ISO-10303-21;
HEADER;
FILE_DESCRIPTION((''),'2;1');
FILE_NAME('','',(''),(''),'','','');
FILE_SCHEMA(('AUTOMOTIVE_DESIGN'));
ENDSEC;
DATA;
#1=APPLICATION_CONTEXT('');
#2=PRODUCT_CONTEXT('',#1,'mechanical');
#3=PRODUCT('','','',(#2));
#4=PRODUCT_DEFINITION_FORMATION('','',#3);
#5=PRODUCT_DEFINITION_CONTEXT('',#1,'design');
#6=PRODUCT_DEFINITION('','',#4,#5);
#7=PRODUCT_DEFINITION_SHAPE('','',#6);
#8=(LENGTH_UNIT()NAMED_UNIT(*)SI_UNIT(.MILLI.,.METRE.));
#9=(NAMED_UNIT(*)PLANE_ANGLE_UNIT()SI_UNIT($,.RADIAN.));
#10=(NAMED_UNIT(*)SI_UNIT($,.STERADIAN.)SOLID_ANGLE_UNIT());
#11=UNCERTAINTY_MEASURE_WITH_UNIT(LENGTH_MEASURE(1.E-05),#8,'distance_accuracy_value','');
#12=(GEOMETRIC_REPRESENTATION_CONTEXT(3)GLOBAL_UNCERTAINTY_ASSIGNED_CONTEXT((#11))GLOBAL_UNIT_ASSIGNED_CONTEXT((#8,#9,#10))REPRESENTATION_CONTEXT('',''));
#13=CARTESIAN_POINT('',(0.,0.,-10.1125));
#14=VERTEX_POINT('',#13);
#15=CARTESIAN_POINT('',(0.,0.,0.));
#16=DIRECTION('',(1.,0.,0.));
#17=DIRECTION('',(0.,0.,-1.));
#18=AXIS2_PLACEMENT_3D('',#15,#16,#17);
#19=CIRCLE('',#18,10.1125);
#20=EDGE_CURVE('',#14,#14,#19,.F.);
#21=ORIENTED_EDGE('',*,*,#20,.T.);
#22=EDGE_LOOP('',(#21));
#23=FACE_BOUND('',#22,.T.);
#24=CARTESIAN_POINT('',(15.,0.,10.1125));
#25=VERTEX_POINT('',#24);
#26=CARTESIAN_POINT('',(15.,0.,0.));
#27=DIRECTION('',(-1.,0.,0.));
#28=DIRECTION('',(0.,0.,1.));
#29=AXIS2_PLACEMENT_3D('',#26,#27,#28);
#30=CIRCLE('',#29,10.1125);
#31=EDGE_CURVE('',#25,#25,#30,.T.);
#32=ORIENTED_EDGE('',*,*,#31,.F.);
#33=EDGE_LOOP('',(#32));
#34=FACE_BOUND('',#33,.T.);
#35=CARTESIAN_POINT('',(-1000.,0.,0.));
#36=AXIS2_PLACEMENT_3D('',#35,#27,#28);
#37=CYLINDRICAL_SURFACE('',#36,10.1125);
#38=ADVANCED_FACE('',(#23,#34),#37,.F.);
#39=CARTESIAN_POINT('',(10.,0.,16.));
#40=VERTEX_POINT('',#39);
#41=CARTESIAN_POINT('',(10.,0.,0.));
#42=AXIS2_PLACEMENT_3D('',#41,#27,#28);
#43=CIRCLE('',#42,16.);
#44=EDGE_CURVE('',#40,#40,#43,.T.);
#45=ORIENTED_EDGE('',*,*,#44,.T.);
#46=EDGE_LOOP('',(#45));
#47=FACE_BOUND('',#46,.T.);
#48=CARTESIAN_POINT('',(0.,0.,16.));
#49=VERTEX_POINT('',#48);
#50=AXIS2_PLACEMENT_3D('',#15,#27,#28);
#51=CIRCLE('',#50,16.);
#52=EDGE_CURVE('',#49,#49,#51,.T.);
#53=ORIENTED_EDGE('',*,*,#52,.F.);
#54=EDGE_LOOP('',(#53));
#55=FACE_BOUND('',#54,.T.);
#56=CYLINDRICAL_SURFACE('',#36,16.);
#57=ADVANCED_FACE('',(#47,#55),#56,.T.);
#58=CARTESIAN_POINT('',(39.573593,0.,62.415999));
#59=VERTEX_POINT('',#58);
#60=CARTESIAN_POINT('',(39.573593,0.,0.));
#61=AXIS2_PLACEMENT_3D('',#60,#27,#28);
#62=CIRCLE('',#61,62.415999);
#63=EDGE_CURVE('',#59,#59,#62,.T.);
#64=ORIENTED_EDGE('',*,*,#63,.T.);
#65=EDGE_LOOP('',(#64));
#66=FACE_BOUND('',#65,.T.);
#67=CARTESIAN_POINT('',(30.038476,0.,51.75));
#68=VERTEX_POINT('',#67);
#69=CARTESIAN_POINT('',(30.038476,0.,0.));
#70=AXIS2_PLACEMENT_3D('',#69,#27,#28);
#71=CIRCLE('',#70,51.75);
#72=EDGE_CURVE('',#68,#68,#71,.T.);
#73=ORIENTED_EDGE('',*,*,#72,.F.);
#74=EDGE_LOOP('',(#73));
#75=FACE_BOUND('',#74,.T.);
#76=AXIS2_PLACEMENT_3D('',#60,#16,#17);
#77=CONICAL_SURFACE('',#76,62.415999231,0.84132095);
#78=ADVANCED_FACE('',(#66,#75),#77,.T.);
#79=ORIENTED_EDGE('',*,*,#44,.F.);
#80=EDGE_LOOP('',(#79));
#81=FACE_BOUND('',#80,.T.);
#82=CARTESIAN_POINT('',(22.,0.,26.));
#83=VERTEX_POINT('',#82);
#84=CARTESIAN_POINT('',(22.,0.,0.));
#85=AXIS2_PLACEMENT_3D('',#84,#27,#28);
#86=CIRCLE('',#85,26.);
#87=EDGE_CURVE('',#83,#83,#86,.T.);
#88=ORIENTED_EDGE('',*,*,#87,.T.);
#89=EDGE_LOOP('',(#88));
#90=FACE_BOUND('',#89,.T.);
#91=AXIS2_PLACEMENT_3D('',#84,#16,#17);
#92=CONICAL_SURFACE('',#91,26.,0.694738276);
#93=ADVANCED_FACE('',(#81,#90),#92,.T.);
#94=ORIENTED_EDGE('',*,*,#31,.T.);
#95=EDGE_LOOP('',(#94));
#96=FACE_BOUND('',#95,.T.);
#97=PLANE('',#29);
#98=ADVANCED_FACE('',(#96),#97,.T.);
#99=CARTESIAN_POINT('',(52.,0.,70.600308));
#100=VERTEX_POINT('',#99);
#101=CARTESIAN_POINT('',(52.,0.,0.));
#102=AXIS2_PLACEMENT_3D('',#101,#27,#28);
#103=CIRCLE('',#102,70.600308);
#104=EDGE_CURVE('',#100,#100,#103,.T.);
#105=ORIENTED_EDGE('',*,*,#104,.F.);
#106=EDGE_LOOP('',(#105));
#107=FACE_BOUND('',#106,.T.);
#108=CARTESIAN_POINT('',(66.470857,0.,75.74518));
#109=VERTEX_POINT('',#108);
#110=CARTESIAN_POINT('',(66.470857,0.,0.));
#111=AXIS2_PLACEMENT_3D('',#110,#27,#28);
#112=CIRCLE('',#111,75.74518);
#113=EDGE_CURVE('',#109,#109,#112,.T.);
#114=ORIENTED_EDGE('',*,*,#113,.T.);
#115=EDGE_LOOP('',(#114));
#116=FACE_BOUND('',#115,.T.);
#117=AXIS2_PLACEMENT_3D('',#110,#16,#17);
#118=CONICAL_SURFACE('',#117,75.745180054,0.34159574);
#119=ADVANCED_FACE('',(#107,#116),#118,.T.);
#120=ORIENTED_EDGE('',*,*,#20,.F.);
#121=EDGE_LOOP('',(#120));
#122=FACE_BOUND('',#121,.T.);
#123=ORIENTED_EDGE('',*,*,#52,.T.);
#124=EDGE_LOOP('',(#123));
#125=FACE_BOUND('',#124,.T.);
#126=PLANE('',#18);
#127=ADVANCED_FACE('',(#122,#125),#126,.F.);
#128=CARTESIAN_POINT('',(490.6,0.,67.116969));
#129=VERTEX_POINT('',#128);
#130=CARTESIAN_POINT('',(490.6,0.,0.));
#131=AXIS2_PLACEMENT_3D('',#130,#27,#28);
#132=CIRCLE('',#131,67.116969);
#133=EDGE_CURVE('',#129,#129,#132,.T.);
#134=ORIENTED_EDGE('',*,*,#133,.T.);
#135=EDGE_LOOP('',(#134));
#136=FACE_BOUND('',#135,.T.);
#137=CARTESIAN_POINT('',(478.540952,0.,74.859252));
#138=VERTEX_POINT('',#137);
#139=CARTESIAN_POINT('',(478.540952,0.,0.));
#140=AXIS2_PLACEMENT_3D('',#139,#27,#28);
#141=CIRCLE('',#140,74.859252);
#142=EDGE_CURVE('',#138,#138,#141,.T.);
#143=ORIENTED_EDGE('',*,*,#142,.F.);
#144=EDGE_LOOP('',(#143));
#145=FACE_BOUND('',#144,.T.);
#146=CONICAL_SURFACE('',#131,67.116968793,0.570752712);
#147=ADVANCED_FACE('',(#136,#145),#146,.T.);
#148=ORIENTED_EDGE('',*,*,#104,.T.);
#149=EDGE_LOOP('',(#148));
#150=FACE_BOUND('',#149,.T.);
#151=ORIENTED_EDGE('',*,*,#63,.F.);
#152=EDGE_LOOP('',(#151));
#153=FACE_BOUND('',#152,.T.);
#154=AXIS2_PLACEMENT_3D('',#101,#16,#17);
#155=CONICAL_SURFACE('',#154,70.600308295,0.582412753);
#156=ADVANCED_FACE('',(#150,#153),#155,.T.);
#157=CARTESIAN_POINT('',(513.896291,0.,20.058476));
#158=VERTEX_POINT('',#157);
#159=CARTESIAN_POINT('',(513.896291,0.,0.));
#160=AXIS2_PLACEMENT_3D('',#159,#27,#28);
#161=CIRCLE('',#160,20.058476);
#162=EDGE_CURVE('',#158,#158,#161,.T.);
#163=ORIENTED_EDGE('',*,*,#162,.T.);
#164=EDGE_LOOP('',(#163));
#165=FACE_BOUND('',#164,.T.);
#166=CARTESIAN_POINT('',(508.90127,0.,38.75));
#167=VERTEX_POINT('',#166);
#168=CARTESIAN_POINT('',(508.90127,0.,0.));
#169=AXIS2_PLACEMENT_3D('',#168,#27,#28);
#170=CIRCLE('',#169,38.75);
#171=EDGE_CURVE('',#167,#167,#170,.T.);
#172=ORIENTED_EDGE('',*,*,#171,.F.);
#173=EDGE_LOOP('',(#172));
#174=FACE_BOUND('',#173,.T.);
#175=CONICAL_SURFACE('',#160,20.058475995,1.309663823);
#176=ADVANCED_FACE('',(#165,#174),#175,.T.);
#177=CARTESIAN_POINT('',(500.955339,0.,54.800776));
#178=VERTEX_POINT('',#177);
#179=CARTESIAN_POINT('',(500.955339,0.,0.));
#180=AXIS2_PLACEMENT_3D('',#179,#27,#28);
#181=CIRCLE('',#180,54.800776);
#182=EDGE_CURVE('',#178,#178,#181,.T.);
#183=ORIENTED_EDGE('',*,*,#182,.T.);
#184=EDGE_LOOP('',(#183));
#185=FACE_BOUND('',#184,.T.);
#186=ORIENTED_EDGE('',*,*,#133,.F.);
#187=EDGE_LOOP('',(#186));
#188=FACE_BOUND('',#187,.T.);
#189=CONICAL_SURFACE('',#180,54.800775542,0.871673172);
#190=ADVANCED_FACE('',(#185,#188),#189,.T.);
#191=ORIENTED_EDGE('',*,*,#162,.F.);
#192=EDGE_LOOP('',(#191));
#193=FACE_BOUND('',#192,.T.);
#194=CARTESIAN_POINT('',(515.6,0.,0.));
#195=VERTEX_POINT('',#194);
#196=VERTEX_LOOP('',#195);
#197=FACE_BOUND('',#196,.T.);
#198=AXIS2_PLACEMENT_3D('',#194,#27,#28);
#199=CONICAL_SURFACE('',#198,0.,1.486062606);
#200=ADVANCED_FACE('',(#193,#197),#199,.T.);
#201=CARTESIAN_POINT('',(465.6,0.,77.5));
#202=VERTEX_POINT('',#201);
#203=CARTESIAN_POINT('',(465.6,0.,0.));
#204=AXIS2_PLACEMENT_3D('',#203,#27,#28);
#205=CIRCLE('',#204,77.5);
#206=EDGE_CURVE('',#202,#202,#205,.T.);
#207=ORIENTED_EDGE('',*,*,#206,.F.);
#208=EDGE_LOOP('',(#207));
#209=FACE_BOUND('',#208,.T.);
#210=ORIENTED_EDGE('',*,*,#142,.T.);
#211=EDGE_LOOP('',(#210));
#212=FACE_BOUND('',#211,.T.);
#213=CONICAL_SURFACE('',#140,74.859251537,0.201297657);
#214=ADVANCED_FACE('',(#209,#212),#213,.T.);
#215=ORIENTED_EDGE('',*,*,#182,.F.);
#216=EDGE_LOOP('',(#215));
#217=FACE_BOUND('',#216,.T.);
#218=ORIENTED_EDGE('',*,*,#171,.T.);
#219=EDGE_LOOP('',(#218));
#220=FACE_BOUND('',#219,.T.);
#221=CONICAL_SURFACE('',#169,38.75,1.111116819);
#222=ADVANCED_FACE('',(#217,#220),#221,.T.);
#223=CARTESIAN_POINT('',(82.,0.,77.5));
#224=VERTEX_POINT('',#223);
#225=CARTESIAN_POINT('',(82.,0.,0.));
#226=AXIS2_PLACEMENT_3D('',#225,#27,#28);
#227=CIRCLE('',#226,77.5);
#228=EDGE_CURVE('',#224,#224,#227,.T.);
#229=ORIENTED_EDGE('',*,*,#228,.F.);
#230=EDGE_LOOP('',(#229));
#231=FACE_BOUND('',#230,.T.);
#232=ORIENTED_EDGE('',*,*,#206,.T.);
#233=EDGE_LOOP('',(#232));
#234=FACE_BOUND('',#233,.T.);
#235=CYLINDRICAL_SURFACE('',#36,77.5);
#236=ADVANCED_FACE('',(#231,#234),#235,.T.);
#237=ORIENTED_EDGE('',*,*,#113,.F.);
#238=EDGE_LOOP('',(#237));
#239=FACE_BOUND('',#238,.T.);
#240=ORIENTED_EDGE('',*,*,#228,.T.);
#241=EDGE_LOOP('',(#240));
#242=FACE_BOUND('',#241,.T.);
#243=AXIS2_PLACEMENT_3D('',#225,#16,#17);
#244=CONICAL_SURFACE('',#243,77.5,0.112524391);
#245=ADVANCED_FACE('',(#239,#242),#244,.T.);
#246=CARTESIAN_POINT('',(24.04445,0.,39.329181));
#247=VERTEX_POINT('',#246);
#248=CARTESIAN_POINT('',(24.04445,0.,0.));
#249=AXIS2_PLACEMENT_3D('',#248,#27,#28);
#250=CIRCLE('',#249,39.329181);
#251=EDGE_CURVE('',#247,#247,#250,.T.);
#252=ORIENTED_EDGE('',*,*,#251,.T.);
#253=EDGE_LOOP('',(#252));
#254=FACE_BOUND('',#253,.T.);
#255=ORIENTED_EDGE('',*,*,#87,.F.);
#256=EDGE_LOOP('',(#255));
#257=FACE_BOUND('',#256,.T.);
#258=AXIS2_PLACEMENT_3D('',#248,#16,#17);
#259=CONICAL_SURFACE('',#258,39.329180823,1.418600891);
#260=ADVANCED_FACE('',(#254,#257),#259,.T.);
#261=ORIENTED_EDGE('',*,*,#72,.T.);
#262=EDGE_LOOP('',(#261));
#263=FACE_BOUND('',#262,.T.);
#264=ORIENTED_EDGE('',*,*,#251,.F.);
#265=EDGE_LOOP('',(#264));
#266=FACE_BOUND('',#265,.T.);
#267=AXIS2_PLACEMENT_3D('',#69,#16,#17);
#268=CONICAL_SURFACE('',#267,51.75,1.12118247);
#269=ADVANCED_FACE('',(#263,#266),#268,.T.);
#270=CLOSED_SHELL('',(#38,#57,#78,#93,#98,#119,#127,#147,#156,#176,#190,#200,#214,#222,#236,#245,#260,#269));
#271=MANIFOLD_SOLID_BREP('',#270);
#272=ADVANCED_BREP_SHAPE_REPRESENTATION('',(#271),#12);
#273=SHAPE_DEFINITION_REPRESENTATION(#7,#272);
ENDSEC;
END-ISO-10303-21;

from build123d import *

# Parameters (mm, degrees)
PORT_BORE_SKETCH_W = 16
PORT_BORE_SKETCH_H = 10.1125


with BuildPart() as part:
    # Bottle Sketch → Bottle (revolve)
    with BuildSketch(Plane.XY):
        Polygon((0, 0), (0, 16), (10, 16), (22, 26), (24.044450423, 39.329180823), (30.038475773, 51.75), (39.573593129, 62.415999231), (52, 70.600308295), (66.470857294, 75.745180054), (82, 77.5), (465.6, 77.5), (478.540952255, 74.859251537), (490.6, 67.116968793), (500.955339059, 54.800775542), (508.901270189, 38.75), (513.896291314, 20.058475995), (515.6, 0), align=None)
    revolve(axis=Axis((-1000, 0, 0), (1, 0, 0)))

    # Port Bore Sketch → Port Bore (revolve, cut)
    with BuildSketch(Plane.XY):
        with Locations((7, 5.05625)):
            Rectangle(PORT_BORE_SKETCH_W, PORT_BORE_SKETCH_H)
    revolve(axis=Axis((-1000, 0, 0), (1, 0, 0)), mode=Mode.SUBTRACT)


solid = part.part
